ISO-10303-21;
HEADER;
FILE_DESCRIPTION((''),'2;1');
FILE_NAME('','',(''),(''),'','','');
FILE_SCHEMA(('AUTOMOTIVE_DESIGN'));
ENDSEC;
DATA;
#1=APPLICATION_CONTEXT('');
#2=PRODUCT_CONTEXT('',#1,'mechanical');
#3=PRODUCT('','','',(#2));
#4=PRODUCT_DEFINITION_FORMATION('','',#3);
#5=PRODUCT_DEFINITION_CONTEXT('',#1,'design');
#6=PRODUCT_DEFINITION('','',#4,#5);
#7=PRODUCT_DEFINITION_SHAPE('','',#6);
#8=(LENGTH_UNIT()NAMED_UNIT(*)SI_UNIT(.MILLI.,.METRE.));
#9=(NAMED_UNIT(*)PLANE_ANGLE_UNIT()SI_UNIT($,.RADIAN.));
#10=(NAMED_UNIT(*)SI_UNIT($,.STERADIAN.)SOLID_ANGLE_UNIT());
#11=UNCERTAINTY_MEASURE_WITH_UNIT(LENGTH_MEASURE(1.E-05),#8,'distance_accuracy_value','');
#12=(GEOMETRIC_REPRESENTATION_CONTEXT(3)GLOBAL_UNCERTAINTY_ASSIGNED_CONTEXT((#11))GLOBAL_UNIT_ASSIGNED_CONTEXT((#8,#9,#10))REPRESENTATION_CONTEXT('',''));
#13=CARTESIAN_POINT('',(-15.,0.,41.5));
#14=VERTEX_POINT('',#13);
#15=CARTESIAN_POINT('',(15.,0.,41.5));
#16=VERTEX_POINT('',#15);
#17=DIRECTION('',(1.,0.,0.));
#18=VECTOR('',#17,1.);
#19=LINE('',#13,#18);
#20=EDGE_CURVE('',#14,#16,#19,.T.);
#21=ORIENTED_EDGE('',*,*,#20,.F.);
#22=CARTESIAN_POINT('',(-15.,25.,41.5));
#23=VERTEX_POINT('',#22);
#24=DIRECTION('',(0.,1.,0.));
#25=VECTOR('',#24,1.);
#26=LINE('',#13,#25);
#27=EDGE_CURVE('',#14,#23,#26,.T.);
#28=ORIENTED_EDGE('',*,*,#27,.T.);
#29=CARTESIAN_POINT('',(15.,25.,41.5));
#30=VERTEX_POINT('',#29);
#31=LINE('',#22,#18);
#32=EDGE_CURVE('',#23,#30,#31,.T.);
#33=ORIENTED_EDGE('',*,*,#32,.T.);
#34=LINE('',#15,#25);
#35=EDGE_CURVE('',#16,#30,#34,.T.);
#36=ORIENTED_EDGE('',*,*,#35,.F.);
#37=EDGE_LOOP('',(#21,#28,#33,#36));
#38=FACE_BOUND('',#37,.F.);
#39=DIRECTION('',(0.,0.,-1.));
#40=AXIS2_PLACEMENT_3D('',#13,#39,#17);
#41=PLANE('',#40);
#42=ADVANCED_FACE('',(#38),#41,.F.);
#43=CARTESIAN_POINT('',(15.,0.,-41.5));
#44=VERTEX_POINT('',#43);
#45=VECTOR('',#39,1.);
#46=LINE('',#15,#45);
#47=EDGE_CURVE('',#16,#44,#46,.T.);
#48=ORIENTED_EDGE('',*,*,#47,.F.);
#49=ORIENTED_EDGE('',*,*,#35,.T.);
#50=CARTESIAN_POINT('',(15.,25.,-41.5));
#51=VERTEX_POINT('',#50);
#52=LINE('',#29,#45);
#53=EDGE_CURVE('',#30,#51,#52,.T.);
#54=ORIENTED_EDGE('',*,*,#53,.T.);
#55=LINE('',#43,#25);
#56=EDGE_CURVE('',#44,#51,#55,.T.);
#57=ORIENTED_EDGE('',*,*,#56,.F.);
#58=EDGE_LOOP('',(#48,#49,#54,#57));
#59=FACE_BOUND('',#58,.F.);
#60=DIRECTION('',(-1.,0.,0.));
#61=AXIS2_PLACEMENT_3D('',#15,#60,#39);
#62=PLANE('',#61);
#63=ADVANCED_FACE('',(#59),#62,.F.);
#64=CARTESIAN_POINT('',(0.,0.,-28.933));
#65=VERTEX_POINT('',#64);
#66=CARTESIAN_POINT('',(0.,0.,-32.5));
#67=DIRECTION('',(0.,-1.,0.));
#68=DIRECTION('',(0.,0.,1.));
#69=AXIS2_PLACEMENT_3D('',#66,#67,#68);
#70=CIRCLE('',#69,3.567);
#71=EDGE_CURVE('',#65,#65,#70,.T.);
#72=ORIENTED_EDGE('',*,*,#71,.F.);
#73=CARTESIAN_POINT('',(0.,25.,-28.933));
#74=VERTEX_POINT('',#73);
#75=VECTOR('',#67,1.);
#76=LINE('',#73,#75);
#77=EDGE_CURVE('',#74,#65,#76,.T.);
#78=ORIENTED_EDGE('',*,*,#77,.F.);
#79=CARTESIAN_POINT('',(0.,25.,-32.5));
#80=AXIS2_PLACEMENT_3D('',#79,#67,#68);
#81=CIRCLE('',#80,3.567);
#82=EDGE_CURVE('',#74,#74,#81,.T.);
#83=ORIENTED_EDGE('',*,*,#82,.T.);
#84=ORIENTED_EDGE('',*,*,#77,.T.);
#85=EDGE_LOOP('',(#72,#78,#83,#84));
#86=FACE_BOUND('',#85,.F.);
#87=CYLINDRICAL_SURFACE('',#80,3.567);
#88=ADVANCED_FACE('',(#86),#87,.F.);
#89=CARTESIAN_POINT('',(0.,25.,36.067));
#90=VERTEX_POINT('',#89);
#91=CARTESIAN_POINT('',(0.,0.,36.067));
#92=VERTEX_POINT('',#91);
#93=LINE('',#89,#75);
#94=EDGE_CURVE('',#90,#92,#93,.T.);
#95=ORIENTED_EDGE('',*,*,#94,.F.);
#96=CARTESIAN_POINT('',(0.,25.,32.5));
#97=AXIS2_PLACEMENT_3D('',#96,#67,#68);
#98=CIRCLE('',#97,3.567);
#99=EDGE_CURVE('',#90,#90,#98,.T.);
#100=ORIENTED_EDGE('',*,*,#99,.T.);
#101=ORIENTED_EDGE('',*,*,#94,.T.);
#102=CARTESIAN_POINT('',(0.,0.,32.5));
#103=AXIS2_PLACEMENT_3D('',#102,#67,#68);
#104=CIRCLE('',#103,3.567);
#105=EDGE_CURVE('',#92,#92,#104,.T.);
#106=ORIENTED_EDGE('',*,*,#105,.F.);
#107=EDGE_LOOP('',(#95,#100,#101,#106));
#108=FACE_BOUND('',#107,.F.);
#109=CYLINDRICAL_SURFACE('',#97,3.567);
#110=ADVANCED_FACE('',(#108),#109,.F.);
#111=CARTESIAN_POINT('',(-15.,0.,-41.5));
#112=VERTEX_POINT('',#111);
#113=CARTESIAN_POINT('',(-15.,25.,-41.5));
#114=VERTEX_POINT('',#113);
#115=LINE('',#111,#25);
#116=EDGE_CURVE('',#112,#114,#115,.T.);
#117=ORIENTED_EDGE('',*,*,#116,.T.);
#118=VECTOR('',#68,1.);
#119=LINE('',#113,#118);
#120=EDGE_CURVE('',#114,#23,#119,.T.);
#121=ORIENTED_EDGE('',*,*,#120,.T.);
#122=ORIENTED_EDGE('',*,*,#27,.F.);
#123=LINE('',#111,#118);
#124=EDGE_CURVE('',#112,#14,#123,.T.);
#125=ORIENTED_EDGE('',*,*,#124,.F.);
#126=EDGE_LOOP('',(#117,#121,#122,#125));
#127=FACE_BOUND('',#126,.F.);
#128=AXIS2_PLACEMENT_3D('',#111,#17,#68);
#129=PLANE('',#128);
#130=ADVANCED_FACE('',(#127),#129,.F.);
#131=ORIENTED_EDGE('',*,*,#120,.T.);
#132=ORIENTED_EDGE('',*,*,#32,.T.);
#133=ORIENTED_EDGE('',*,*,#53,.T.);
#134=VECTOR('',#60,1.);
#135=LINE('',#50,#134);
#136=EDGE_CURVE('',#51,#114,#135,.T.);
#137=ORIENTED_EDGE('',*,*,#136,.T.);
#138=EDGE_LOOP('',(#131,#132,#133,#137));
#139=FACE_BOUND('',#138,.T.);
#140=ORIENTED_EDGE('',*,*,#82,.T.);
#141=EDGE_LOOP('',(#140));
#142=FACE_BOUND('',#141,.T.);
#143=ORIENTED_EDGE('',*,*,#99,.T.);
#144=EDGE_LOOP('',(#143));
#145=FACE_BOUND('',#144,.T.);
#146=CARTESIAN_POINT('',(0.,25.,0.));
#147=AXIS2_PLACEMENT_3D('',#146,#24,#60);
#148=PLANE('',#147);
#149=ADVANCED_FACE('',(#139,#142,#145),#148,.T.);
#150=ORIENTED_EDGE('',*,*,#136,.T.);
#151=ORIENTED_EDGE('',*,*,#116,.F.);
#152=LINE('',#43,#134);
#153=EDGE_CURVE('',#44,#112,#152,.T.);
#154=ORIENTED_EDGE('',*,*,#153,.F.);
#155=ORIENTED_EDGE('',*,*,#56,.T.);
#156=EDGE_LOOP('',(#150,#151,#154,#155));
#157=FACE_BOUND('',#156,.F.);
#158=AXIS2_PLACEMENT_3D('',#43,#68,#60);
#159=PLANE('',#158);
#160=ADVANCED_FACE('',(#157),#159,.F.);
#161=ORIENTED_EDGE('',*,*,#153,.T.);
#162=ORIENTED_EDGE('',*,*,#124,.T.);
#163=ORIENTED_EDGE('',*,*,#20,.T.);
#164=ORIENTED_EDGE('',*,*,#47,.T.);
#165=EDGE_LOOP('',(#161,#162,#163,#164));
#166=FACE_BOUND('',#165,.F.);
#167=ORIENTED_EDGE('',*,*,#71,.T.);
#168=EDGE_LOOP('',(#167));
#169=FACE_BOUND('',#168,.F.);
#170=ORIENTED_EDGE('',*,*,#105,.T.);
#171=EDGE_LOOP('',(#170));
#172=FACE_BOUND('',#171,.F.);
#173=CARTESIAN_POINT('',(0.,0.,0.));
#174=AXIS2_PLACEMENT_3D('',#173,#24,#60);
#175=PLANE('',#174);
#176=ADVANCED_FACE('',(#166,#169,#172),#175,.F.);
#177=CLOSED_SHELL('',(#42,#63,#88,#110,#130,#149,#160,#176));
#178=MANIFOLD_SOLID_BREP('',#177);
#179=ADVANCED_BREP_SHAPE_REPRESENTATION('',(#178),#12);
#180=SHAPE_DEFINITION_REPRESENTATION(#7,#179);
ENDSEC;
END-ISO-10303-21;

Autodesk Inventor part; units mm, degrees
ref_plane "YZ Plane" through (0, 0, 0) normal (1, 0, 0) x (0, 1, 0)
ref_plane "XZ Plane" through (0, 0, 0) normal (0, 1, 0) x (-1, 0, 0)
ref_plane "XY Plane" through (0, 0, 0) normal (0, 0, 1) x (1, 0, 0)
sketch "Sketch1" plane through (0, 0, 0) normal (0, 1, 0) x (-1, 0, 0)
  line L0 (-15, -41.5) -> (15, -41.5)
  line L1 (15, -41.5) -> (15, 41.5)
  line L2 (15, 41.5) -> (-15, 41.5)
  line L3 (-15, 41.5) -> (-15, -41.5)
  line L4 (-15, -41.5) -> (15, 41.5) construction
  line L5 (15, -41.5) -> (-15, 41.5) construction
  point P0 (0, 0)
  dimension "d0" = 30
  dimension "d1" = 83
extrude "Extrusion1" add sketch "Sketch1" along normal blind 25
sketch "Sketch2" plane through (0, 25, 0) normal (0, 1, 0) x (1, 0, 0)
  line L0 (-15, 41.5) -> (-15, -41.5) projected
  line L1 (-15, -41.5) -> (15, -41.5) projected
  point P0 (0, 0)
  point P1 (0, -32.5)
  point P2 (0, 32.5)
  dimension "d4" = 15
  dimension "d6" = 9
  dimension "d14" = 65
  dimension "d15" = 15
hole "Hole1" at (0, 25, 32.5) at (0, 25, -32.5) direction (0, -1, 0) diameter 7.134 end through all thread size "M8x0.8" class "6H" standard "ISO Metric profile"
properties part number "Pillow_support" material "Stainless Steel"
